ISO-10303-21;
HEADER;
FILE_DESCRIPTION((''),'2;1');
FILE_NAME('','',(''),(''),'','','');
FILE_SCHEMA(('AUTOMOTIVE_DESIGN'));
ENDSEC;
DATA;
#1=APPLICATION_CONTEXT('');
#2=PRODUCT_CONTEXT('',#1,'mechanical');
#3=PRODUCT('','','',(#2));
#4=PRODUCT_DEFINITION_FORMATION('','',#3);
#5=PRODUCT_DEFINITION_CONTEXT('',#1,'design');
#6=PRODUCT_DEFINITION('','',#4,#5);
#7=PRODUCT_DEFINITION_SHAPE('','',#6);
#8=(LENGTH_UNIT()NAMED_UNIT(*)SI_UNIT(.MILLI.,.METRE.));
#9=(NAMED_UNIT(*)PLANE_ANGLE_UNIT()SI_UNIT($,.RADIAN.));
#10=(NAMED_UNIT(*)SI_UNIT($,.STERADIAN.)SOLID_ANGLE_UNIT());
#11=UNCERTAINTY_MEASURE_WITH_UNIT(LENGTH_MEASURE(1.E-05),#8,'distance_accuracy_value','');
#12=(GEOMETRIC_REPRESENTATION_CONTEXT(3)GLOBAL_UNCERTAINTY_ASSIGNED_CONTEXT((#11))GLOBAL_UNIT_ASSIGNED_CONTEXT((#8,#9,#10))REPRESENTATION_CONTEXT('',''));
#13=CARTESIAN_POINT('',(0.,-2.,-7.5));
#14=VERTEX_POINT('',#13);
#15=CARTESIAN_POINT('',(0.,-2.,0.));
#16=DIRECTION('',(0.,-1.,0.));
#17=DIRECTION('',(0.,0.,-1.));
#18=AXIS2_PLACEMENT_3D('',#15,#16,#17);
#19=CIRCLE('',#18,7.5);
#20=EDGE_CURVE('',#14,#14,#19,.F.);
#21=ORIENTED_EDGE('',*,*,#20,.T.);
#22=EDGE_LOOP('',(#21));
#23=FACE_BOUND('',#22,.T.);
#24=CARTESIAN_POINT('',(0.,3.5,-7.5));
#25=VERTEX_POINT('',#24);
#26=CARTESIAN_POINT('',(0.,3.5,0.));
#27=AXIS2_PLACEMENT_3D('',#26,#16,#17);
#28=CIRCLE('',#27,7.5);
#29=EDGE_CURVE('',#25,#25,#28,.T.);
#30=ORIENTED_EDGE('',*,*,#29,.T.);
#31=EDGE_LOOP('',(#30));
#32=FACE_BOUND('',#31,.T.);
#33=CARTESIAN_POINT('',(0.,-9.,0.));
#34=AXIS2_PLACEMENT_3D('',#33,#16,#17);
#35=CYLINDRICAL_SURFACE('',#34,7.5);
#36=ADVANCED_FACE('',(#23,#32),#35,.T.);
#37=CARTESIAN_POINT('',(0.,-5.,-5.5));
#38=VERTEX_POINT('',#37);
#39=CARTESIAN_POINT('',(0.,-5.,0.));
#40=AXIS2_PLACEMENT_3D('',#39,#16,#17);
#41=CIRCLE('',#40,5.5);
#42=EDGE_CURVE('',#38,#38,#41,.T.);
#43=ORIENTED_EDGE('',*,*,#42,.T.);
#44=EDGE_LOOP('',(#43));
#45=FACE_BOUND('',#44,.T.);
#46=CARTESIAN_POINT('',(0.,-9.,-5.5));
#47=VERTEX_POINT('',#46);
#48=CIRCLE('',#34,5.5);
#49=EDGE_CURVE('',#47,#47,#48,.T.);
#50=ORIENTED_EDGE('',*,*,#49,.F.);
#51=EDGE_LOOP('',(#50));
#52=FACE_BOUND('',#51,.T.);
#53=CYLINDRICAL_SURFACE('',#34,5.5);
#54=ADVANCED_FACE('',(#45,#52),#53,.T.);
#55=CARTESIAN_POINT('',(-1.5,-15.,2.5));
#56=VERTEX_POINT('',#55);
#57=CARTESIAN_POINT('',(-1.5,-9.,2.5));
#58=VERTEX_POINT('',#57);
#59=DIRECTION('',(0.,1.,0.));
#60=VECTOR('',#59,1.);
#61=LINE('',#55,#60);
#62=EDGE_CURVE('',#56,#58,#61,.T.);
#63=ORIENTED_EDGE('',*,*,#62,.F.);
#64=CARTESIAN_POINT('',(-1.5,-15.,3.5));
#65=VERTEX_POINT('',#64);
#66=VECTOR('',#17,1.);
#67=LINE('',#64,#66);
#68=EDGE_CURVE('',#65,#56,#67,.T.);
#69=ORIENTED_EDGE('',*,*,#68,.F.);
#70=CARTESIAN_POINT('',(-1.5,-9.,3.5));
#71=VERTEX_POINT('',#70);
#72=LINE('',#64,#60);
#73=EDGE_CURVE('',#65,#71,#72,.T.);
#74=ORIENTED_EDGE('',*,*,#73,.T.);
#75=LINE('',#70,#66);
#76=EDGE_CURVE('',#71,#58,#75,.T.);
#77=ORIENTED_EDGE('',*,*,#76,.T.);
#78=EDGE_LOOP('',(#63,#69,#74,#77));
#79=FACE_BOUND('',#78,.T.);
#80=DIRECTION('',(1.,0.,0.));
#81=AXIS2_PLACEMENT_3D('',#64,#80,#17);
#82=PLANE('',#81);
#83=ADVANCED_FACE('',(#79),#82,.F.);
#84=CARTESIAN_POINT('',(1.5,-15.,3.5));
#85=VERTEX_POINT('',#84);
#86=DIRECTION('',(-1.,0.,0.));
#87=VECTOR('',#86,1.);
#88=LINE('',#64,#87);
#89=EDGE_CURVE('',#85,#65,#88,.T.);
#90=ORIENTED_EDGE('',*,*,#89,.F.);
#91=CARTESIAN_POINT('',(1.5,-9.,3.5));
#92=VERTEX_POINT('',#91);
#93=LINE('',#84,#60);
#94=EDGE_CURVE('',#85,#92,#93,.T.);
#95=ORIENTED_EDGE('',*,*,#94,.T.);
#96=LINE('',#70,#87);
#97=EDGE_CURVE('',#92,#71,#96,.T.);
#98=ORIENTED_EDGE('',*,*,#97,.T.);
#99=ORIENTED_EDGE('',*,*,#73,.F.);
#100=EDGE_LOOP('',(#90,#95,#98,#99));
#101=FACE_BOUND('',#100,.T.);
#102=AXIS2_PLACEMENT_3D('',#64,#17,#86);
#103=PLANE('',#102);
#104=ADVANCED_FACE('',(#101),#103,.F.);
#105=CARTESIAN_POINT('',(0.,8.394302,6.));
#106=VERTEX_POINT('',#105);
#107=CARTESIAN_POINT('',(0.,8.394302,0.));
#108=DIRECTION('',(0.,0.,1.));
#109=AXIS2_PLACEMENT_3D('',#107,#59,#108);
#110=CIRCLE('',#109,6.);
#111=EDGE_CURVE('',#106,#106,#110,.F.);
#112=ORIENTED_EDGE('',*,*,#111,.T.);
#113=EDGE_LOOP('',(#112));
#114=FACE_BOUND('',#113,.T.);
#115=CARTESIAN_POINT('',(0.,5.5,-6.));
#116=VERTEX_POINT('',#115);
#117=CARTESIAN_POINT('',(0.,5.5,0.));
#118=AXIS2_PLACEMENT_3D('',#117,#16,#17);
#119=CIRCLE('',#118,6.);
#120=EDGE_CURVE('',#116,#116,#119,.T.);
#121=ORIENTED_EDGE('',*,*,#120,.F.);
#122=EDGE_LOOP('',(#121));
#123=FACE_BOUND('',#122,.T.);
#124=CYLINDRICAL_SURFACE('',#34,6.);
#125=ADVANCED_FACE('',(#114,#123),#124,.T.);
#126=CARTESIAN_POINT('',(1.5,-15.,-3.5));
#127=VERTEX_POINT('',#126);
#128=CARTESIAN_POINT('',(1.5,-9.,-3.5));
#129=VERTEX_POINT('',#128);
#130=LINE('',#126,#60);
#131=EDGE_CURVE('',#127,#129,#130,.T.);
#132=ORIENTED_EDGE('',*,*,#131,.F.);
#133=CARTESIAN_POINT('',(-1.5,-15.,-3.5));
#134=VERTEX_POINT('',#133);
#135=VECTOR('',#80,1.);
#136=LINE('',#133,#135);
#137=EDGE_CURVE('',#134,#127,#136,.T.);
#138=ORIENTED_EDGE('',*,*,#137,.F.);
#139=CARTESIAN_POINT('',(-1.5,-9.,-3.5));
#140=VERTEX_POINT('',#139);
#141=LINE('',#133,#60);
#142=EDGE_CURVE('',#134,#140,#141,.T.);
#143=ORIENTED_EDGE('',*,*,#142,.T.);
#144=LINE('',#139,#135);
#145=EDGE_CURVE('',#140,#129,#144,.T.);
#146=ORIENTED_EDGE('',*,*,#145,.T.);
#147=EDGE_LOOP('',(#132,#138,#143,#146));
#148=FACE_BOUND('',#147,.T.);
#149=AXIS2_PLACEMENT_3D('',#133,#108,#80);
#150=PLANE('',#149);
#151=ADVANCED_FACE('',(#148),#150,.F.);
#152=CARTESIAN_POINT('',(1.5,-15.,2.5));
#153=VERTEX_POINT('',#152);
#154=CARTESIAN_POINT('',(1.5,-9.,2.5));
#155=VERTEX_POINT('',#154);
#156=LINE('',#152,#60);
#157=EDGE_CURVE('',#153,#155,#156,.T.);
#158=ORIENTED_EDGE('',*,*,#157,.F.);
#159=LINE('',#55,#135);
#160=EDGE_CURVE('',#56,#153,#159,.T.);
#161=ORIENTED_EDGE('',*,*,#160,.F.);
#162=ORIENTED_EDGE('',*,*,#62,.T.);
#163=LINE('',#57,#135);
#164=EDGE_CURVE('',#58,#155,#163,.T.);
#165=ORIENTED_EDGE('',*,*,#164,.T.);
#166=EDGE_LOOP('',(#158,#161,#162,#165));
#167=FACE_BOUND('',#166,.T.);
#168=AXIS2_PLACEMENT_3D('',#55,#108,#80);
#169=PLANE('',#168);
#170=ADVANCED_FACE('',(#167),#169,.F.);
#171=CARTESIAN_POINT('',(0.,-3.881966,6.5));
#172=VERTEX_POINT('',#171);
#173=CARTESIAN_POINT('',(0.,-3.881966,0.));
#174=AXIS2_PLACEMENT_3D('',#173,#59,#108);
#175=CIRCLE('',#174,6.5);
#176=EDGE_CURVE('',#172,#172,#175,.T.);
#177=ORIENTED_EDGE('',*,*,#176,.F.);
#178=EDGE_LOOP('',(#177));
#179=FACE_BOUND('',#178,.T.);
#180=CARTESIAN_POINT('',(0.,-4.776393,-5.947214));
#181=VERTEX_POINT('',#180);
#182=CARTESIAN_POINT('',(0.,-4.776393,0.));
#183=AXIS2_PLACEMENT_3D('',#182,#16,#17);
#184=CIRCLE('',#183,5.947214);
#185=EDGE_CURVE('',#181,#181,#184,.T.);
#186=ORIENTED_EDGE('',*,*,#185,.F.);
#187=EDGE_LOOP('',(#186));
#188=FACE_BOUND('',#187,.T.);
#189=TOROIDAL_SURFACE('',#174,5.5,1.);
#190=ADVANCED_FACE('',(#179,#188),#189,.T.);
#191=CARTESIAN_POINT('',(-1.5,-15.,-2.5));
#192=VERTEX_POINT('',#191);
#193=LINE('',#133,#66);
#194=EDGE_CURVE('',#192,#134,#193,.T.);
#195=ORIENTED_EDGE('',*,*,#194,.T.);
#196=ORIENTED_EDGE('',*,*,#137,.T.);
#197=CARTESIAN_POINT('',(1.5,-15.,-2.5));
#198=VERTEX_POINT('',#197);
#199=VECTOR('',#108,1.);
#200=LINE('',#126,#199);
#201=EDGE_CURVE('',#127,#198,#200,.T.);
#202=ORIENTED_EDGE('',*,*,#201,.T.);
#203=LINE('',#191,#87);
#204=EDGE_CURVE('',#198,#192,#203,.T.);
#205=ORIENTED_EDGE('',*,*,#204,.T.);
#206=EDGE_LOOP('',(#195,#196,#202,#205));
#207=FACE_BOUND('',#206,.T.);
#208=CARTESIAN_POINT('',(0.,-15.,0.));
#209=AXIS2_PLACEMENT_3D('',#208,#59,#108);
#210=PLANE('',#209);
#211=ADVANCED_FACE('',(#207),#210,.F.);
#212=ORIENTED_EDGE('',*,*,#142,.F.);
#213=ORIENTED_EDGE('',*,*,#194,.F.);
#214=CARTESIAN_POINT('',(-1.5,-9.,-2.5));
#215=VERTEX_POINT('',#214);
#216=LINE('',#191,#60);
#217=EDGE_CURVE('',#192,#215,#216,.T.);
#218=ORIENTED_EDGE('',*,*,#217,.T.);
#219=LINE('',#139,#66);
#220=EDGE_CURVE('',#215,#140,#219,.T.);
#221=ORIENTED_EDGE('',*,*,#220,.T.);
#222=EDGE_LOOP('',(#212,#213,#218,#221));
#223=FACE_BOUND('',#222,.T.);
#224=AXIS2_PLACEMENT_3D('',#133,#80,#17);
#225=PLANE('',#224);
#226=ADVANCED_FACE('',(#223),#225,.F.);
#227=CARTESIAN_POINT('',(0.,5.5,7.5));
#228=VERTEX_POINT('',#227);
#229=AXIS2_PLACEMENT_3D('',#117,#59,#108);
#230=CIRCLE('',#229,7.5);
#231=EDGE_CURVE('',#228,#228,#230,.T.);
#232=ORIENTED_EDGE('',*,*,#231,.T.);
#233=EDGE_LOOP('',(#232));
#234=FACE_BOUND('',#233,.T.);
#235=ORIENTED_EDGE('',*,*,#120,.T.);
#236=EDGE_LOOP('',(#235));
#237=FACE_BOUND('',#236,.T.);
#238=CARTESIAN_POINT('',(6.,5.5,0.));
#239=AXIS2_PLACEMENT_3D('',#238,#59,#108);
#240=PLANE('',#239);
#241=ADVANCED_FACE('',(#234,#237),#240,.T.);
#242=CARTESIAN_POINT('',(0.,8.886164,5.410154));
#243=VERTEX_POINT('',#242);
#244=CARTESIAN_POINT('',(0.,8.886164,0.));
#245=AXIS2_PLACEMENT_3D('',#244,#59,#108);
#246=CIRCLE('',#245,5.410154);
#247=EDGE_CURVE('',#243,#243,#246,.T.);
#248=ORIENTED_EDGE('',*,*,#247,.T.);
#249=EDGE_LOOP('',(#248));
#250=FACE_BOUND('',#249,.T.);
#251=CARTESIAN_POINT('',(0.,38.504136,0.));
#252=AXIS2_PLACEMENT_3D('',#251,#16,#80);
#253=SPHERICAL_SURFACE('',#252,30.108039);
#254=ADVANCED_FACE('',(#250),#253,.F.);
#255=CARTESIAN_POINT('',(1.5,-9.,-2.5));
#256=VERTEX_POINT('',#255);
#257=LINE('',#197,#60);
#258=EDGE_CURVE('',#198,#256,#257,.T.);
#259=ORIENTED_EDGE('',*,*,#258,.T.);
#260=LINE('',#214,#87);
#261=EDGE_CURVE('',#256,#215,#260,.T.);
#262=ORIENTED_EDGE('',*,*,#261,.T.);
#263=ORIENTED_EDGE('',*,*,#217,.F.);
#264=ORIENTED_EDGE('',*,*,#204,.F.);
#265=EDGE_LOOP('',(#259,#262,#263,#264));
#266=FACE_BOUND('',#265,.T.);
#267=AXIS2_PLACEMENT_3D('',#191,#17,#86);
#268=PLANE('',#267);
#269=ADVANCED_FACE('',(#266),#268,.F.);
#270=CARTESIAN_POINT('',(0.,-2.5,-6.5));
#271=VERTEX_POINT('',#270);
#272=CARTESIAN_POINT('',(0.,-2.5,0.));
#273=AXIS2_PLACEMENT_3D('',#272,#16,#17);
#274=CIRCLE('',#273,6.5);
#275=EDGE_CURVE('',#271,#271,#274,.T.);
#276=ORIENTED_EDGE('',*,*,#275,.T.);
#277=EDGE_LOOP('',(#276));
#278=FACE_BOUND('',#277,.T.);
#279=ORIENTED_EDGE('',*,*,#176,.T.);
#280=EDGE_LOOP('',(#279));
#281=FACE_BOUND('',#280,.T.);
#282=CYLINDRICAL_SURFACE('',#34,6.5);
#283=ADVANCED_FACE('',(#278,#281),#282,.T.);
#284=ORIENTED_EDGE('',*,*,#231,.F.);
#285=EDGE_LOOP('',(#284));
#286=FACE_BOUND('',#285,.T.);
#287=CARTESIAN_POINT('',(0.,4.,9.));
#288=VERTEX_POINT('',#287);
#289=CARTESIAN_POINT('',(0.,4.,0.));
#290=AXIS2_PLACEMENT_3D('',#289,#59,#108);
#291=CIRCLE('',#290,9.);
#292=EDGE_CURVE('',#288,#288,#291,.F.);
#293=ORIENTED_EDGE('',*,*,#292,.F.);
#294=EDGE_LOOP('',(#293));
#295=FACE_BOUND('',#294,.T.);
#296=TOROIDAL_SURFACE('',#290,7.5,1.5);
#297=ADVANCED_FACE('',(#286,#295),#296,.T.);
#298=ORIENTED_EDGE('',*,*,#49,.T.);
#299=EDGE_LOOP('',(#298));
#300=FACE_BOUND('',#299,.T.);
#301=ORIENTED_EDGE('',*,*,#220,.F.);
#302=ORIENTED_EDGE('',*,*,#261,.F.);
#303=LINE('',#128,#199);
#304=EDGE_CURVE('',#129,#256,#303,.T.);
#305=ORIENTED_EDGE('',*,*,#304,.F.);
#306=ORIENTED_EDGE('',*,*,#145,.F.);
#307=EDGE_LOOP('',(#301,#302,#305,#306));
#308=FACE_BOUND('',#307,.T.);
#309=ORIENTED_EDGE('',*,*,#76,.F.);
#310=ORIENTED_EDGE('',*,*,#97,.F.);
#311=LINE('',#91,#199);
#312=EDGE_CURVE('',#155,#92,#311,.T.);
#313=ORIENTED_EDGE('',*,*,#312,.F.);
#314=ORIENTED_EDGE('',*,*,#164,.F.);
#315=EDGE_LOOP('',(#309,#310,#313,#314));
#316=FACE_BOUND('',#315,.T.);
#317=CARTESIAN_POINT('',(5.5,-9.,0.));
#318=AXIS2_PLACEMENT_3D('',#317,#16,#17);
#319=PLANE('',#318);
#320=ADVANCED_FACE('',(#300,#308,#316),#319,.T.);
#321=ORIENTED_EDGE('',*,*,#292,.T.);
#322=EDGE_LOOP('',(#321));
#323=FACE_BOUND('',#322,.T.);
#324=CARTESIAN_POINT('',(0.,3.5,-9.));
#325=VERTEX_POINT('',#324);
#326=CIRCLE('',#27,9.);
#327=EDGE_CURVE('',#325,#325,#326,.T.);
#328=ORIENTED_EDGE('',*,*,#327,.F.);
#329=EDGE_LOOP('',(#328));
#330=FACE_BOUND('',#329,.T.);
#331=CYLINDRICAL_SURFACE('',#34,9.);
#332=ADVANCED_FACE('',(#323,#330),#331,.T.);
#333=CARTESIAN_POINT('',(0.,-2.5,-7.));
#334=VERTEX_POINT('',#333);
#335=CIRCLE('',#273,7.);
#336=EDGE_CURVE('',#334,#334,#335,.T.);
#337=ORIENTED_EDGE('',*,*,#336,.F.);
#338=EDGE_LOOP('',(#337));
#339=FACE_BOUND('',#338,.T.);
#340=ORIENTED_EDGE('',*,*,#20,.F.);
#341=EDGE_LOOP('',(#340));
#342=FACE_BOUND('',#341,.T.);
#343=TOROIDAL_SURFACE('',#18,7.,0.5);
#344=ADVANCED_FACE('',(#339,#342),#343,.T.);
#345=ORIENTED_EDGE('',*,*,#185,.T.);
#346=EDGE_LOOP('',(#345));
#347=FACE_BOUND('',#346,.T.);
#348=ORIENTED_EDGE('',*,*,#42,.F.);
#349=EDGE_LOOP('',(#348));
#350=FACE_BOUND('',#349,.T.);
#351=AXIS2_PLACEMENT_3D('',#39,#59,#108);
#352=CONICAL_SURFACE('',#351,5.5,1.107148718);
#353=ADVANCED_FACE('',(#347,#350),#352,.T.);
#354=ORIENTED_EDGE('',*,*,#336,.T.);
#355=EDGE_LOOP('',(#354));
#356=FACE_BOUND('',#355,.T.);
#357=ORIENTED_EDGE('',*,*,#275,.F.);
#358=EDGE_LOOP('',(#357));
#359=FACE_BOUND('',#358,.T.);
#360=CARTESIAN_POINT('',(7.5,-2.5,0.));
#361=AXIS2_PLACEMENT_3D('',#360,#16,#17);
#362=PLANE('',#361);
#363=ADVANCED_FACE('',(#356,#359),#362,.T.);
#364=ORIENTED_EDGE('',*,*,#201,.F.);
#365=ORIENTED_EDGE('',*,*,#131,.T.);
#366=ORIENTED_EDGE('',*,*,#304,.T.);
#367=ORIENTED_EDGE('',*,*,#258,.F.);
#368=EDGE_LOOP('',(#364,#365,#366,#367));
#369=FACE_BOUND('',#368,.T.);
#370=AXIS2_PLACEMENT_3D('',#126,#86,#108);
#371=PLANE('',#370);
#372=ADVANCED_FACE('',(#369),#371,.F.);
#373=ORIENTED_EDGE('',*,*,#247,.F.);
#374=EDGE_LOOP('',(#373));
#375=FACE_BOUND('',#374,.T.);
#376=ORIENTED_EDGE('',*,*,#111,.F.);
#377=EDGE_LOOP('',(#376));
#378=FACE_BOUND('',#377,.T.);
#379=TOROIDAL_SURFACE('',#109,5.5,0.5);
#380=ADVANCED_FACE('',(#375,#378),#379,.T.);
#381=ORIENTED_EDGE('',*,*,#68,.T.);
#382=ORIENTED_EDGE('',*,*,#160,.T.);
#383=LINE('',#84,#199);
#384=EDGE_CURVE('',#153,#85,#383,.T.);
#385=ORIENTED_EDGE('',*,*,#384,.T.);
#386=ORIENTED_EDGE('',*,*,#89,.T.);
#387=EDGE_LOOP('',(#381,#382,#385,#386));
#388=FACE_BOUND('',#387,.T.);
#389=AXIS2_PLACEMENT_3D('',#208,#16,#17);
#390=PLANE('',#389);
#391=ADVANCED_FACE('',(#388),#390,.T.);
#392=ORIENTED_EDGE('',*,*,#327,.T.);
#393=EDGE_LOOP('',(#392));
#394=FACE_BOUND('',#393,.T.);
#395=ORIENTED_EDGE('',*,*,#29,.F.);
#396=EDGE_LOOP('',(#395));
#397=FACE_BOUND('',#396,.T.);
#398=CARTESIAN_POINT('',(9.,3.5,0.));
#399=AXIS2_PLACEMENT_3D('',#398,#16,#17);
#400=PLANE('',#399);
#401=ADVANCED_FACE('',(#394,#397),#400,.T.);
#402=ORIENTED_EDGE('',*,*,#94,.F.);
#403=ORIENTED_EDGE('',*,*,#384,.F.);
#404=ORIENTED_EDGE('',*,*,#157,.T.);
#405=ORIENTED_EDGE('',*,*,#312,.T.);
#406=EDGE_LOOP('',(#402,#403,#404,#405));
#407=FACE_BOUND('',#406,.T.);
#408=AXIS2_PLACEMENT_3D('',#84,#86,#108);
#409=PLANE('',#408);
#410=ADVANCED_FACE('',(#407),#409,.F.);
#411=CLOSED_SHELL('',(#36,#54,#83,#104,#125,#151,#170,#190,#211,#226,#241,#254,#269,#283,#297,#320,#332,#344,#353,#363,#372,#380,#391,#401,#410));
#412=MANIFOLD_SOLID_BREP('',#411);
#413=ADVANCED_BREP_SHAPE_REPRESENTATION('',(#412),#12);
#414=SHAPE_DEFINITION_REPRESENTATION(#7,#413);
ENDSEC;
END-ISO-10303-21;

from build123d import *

# Parameters (mm, degrees)
FILLET1_R           = 1.5
FILLET2_R           = 0.5
FILLET3_R           = 1
FILLET4_R           = 0.5
SKETCH2_W           = 3
SKETCH2_H           = 1
BOSS_EXTRUDE1_DEPTH = 6


with BuildPart() as part:
    # Sketch1 → Revolve1 (revolve)
    with BuildSketch(Plane.XY, mode=Mode.PRIVATE) as revolve1_sk:
        with BuildLine():
            Line((6, 9), (6, 5.5))
            Line((6, 5.5), (9, 5.5))
            Line((9, 5.5), (9, 3.5))
            Line((9, 3.5), (7.5, 3.5))
            Line((7.5, 3.5), (7.5, -2.5))
            Line((7.5, -2.5), (6.5, -2.5))
            Line((6.5, -2.5), (6.5, -4.5))
            Line((6.5, -4.5), (5.5, -5))
            Line((5.5, -5), (5.5, -9))
            Line((5.5, -9), (0, -9))
            Line((0, -9), (0, 8.396096516))
            ThreePointArc((0, 8.396096516), (3.015157517, 8.547452829), (6, 9))
        make_face()
    revolve(revolve1_sk.sketch.rotate(Axis((0, -9, 0), (0, 1, 0)), 90), axis=Axis((0, -9, 0), (0, 1, 0)))

    # Fillet1
    fillet1_edges = [part.edges().sort_by_distance(p)[0] for p in [
        (0, 5.5, 9),
    ]]
    fillet(fillet1_edges, radius=FILLET1_R)

    # Fillet2
    fillet2_edges = [part.edges().sort_by_distance(p)[0] for p in [
        (0, 9, 6),
    ]]
    fillet(fillet2_edges, radius=FILLET2_R)

    # Fillet3
    fillet3_edges = [part.edges().sort_by_distance(p)[0] for p in [
        (0, -4.5, 6.5),
    ]]
    fillet(fillet3_edges, radius=FILLET3_R)

    # Fillet4
    fillet4_edges = [part.edges().sort_by_distance(p)[0] for p in [
        (0, -2.5, 7.5),
    ]]
    fillet(fillet4_edges, radius=FILLET4_R)

    # Sketch2 → Boss-Extrude1 (add)
    with BuildSketch(Plane.XZ.offset(9)):
        with Locations((0, 3)):
            Rectangle(SKETCH2_W, SKETCH2_H)
        with Locations((0, -3)):
            Rectangle(SKETCH2_W, SKETCH2_H)
    extrude(amount=BOSS_EXTRUDE1_DEPTH)


solid = part.part
